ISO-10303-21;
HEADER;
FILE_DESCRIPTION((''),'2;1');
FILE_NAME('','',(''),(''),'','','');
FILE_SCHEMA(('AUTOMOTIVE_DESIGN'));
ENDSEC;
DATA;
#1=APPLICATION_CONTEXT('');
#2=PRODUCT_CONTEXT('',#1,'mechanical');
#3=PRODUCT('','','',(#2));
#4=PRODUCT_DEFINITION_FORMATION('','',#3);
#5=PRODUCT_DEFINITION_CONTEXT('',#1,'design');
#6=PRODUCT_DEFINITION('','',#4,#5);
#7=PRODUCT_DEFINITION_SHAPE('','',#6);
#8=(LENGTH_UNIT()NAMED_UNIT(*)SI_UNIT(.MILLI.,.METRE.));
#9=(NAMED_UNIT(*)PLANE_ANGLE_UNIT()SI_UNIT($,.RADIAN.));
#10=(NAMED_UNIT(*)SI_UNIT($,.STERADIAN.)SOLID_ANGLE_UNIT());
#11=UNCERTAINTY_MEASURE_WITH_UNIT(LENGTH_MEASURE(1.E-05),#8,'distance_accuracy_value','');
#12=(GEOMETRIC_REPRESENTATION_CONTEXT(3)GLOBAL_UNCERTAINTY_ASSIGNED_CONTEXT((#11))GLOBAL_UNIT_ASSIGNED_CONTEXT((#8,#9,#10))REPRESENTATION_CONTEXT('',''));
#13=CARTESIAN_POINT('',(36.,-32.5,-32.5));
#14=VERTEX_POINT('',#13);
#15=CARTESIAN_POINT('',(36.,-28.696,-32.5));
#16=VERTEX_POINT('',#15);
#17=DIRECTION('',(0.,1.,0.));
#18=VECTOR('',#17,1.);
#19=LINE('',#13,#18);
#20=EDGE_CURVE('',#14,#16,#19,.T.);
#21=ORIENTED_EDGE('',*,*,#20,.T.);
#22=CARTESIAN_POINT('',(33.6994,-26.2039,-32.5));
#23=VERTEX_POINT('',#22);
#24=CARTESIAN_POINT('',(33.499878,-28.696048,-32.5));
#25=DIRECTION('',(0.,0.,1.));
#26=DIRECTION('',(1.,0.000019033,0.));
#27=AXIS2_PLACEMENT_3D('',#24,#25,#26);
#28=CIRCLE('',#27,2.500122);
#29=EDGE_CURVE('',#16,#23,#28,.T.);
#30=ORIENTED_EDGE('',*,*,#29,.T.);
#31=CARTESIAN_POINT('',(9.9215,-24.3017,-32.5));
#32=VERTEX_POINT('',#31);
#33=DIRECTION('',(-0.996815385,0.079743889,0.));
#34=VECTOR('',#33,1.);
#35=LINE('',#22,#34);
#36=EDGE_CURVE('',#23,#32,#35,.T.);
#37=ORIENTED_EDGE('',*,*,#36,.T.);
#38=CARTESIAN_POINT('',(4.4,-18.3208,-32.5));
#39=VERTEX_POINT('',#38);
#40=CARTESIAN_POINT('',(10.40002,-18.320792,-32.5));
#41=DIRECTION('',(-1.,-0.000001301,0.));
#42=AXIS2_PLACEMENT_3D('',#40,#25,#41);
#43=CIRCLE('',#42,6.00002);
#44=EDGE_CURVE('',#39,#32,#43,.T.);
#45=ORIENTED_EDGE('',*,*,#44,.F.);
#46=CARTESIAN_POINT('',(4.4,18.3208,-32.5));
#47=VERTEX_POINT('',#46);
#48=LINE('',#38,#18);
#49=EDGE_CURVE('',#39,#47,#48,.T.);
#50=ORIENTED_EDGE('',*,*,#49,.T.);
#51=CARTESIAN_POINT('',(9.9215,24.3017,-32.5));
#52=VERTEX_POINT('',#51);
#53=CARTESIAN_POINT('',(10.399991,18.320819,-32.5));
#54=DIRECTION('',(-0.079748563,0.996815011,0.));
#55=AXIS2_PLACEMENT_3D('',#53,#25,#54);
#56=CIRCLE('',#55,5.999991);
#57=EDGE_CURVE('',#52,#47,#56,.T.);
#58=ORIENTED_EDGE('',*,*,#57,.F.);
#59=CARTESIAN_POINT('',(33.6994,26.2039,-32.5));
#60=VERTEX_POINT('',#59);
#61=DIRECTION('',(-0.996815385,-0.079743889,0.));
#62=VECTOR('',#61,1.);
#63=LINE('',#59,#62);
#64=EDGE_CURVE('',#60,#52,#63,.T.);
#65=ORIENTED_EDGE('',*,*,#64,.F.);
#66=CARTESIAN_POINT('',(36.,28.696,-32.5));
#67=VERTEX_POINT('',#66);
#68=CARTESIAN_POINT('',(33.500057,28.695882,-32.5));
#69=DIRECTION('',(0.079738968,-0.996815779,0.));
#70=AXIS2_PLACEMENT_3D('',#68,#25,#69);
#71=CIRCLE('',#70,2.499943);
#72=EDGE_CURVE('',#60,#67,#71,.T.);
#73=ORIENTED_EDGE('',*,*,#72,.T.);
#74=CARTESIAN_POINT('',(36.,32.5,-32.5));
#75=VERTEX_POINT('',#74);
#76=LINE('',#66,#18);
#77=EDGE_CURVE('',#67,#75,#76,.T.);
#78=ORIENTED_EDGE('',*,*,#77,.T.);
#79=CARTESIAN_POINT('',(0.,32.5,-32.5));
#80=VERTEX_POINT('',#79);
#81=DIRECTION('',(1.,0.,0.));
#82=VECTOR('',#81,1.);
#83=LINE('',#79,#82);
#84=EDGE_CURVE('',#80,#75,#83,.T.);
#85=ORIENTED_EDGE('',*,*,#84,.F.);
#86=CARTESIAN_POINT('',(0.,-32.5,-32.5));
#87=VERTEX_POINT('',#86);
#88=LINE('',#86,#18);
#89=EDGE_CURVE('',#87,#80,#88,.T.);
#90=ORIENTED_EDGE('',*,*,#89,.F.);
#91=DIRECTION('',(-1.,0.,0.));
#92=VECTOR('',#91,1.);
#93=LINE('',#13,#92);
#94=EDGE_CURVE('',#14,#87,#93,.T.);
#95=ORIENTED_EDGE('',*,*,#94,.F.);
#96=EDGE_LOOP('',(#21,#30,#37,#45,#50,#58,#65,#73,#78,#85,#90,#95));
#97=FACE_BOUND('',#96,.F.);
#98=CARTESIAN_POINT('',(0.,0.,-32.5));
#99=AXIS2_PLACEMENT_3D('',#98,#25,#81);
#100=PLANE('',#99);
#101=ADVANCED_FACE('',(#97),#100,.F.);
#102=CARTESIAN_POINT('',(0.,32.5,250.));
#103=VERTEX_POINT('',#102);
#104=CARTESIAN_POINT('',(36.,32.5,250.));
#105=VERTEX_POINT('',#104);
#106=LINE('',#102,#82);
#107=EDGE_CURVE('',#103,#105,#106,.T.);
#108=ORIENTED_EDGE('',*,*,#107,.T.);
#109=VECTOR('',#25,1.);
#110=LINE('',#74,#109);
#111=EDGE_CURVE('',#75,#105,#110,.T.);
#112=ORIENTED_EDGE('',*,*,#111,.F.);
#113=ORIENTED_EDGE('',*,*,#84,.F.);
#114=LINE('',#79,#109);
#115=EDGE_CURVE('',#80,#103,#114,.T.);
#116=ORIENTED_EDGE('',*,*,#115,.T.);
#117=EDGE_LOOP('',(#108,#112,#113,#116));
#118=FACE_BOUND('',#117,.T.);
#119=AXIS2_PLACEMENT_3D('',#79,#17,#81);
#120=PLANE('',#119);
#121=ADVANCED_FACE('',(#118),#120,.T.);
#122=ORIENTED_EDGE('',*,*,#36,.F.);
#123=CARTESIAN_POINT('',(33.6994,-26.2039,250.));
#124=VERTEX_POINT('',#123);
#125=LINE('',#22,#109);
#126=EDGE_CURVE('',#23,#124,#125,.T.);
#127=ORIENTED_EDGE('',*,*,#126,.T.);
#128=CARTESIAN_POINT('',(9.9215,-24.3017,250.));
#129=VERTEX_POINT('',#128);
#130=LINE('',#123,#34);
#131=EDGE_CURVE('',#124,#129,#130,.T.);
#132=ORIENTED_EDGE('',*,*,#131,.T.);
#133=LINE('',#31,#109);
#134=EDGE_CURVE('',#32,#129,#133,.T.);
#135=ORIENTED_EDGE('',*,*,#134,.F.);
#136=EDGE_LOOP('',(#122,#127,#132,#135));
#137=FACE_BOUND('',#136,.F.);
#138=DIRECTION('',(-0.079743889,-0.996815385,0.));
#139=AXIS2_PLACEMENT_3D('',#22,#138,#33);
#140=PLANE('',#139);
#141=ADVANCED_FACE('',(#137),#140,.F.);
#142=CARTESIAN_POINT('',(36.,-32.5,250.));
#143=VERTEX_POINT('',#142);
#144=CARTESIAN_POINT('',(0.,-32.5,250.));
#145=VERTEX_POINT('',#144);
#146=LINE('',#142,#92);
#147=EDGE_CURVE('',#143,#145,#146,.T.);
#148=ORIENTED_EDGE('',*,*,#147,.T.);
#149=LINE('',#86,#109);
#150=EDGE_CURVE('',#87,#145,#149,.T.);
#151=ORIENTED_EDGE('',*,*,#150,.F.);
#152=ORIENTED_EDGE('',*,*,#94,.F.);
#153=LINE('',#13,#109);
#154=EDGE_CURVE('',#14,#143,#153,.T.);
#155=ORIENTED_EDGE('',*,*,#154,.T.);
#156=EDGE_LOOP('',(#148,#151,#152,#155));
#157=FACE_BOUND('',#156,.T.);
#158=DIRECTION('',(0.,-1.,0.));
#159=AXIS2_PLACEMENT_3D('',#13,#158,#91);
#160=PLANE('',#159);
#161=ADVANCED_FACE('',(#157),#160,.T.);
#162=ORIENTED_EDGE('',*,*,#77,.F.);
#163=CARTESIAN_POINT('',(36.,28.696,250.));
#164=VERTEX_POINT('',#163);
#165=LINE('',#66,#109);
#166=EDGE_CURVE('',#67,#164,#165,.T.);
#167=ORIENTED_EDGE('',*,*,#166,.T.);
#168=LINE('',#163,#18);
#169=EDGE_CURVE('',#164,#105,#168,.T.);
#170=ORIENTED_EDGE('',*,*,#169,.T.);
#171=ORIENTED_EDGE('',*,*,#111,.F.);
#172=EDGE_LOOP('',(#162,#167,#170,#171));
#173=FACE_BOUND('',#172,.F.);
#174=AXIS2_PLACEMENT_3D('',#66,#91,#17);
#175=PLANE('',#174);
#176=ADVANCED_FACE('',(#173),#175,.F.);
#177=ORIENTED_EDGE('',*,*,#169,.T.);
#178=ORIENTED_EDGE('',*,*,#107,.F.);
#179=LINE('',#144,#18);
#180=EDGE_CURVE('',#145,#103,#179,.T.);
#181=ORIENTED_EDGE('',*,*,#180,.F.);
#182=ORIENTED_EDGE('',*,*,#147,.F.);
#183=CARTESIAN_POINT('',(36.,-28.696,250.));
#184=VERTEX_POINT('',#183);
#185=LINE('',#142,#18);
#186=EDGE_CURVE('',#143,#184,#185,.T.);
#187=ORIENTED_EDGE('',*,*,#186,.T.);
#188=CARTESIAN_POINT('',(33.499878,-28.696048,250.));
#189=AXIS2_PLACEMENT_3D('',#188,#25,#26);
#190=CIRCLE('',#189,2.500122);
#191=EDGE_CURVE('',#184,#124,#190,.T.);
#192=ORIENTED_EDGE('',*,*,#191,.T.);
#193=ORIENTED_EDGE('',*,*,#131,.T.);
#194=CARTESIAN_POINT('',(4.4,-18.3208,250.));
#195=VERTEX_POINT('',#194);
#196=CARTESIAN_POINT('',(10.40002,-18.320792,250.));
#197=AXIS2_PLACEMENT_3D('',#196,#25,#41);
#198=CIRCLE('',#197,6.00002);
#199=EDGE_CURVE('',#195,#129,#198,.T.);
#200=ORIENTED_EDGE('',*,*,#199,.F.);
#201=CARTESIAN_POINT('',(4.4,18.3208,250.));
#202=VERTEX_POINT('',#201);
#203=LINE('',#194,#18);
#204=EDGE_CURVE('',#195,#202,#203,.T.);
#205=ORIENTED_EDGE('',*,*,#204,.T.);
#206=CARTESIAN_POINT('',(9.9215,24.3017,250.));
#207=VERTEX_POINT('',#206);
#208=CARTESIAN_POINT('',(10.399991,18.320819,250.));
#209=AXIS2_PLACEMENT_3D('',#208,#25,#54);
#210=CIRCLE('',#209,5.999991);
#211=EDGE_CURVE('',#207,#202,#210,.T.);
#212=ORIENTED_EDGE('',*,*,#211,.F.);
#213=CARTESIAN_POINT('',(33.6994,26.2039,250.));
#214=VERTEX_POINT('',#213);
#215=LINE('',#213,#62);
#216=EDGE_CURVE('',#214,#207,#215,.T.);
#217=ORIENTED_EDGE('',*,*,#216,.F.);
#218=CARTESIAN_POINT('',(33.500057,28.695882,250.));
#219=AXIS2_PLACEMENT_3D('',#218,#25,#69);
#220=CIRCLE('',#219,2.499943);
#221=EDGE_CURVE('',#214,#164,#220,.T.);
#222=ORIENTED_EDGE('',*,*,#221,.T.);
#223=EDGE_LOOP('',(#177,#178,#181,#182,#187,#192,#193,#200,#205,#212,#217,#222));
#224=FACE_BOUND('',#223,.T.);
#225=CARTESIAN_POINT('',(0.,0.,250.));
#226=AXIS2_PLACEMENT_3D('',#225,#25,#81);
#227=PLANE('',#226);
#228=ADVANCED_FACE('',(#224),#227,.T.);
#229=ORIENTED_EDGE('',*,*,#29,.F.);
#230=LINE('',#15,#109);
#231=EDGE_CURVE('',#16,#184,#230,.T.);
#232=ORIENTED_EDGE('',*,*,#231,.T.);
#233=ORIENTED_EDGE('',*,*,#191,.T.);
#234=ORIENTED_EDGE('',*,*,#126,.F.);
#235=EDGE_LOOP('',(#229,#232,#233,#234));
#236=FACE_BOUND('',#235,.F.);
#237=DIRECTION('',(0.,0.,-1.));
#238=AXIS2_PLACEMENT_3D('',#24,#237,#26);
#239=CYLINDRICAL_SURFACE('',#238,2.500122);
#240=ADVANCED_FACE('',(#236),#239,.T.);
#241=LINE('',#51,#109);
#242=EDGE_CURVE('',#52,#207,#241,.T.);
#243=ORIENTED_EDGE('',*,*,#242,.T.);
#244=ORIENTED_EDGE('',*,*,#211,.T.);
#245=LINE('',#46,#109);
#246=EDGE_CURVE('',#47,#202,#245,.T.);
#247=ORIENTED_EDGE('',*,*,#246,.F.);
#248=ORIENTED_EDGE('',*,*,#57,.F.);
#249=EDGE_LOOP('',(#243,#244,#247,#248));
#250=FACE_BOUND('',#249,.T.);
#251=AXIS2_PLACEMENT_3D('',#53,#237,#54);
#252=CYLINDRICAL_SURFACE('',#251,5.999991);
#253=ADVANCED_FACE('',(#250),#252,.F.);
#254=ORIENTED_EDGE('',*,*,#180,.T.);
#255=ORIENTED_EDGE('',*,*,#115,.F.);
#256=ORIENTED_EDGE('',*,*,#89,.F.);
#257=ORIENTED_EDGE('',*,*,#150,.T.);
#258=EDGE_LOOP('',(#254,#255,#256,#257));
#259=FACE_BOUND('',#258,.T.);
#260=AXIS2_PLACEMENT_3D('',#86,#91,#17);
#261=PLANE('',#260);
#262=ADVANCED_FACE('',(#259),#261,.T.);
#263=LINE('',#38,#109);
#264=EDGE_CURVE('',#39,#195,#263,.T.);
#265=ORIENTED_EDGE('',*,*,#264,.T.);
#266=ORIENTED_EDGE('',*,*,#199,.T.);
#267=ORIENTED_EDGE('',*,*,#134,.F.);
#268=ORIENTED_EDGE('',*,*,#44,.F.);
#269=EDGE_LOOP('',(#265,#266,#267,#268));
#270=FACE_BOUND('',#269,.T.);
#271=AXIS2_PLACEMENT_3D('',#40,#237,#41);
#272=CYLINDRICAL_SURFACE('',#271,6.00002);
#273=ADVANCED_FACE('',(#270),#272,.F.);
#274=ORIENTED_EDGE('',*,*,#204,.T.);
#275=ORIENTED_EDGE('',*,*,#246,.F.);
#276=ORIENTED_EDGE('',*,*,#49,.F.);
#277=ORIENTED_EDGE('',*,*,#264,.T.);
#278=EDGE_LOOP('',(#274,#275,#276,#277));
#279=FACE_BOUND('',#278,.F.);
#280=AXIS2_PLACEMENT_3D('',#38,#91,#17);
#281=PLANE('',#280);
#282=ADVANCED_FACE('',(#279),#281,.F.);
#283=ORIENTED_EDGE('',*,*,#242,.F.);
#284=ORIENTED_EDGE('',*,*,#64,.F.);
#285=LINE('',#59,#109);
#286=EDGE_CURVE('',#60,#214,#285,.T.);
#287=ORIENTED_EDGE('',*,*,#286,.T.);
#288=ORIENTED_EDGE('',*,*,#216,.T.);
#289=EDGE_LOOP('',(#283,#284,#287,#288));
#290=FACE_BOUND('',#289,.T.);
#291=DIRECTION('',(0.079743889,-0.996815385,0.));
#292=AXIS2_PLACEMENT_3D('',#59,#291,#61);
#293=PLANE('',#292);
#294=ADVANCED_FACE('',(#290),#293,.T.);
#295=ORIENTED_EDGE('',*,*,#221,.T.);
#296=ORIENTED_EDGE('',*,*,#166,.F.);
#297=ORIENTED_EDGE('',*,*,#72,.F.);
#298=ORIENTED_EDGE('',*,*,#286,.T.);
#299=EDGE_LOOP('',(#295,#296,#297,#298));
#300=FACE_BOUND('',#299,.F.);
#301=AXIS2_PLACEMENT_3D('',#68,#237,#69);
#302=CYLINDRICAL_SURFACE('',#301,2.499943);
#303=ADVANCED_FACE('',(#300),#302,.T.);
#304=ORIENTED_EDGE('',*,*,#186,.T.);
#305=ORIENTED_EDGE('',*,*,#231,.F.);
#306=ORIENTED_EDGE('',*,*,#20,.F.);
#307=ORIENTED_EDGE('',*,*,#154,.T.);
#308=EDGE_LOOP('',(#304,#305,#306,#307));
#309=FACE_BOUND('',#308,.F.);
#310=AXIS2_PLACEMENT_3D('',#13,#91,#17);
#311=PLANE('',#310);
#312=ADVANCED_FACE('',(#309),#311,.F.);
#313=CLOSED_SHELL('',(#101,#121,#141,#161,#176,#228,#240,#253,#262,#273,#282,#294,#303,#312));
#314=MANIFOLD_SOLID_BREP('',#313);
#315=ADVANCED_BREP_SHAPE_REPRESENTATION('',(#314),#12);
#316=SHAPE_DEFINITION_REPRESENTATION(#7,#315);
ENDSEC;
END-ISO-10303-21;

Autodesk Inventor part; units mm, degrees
ref_plane "Начальная плоскость" through (0, 0, -32.5) normal (0, 0, 1) x (1, 0, 0)
ref_plane "Конечная плоскость" through (0, 0, 250) normal (0, 0, 1) x (1, 0, 0)
sketch "Эскиз" plane through (0, 0, 0) normal (0, 0, 1) x (1, 0, 0)
  line L0 (36, -32.5) -> (0, -32.5)
  line L1 (36, -32.5) -> (36, -28.696)
  line L2 (33.6994, -26.2039) -> (9.9215, -24.3017)
  line L3 (4.4, -18.3208) -> (4.4, 18.3208)
  line L4 (33.6994, 26.2039) -> (9.9215, 24.3017)
  line L5 (36, 28.696) -> (36, 32.5)
  line L6 (0, 32.5) -> (36, 32.5)
  line L7 (0, -32.5) -> (0, 32.5)
  arc A0 (4.4, -18.3208) -> (9.9215, -24.3017) centre (10.4, -18.3208) ccw
  arc A1 (9.9215, 24.3017) -> (4.4, 18.3208) centre (10.4, 18.3208) ccw
  arc A2 (36, -28.696) -> (33.6994, -26.2039) centre (33.5, -28.696) ccw
  arc A3 (33.6994, 26.2039) -> (36, 28.696) centre (33.5, 28.696) ccw
  line L8 (0, 45.5) -> (0, -45.5) construction
  line L9 (-7.2974, 0) -> (43.7847, 0) construction
  point P0 (36, -26.388)
  point P1 (4.4, -23.86)
  point P2 (4.4, 23.86)
  point P3 (36, 26.388)
  dimension "d3" = 36
  dimension "d5" = 4.4
  dimension "d7" = 65
  dimension "d9" = 8.64
  dimension "d11" = 8.64
  dimension "d13" = 6.112
  dimension "d15" = 6.112
  dimension "d22" = 6
  dimension "d23" = 2.5
  dimension "d24" = 32.5
  dimension "d25" = 0
extrude "Тело" add sketch "Эскиз" along normal up to surface (282.5 mm away) from surface at -32.5
sketch "Sketch3" plane through (0, 0, 0) normal (0, 0, 1) x (1, 0, 0)
  line L0 (0, 0) -> (10, 0)
ref_plane "Work Plane7" through (0, 0, 0) normal (0, -1, 0) x (1, 0, 0)
sketch "Sketch4" plane through (0, 0, 0) normal (0, -1, 0) x (1, 0, 0)
  line L0 (-2, -32.5) -> (12, -32.5)
  line L1 (-2, 250) -> (12, 250)
  dimension "d29" = 282.5
ref_plane "РабПлоскость8" through (18, -32.5, -32.5) normal (0, 0, -1) x (-1, 0, 0)
split "Разделение1" plane through (18, -32.5, -32.5) removes the side toward (0, 0, -1)
ref_plane "РабПлоскость9" through (604.945, -14.5, -32.5) normal (0, 0, -1) x (-1, 0, 0)
split "Разделение2" plane through (604.945, -14.5, -32.5) removes the side toward (0, 0, -1)
equation "\"d3\" = b"
equation "\"d5\" = t1"
equation "\"d7\" = ParH"
equation "\"d9\" = msp_x1 + t2"
equation "\"d11\" = msp_x1 + t2"
equation "\"d13\" = -msp_x2 + t2"
equation "\"d15\" = -msp_x2 + t2"
equation "\"d22\" = R"
equation "\"d23\" = R1"
equation "\"d24\" = 0.5 * d7"
equation "\"d16\" = G_L"
equation "\"R1\" = 2.5"
equation "\"R\" = 6"
equation "\"t1\" = 4.4"
equation "\"t2\" = 7.2"
equation "\"ParH\" = 65"
equation "\"b\" = 36"
equation "\"msp_x1\" = 0.04 * b"
equation "\"msp_x2\" = -0.08 * t1 + 0.04 * b"
equation "\"G_L\" = d29"
equation "\"ex\" = 0"
equation "\"G_OFFSET_START\" = 32.5"
equation "\"G_OFFSET_END\" = 0"
equation "\"d26\" = -G_OFFSET_START"
properties part number "Швеллер 6.5U-282,5 ГОСТ 8240-97"
